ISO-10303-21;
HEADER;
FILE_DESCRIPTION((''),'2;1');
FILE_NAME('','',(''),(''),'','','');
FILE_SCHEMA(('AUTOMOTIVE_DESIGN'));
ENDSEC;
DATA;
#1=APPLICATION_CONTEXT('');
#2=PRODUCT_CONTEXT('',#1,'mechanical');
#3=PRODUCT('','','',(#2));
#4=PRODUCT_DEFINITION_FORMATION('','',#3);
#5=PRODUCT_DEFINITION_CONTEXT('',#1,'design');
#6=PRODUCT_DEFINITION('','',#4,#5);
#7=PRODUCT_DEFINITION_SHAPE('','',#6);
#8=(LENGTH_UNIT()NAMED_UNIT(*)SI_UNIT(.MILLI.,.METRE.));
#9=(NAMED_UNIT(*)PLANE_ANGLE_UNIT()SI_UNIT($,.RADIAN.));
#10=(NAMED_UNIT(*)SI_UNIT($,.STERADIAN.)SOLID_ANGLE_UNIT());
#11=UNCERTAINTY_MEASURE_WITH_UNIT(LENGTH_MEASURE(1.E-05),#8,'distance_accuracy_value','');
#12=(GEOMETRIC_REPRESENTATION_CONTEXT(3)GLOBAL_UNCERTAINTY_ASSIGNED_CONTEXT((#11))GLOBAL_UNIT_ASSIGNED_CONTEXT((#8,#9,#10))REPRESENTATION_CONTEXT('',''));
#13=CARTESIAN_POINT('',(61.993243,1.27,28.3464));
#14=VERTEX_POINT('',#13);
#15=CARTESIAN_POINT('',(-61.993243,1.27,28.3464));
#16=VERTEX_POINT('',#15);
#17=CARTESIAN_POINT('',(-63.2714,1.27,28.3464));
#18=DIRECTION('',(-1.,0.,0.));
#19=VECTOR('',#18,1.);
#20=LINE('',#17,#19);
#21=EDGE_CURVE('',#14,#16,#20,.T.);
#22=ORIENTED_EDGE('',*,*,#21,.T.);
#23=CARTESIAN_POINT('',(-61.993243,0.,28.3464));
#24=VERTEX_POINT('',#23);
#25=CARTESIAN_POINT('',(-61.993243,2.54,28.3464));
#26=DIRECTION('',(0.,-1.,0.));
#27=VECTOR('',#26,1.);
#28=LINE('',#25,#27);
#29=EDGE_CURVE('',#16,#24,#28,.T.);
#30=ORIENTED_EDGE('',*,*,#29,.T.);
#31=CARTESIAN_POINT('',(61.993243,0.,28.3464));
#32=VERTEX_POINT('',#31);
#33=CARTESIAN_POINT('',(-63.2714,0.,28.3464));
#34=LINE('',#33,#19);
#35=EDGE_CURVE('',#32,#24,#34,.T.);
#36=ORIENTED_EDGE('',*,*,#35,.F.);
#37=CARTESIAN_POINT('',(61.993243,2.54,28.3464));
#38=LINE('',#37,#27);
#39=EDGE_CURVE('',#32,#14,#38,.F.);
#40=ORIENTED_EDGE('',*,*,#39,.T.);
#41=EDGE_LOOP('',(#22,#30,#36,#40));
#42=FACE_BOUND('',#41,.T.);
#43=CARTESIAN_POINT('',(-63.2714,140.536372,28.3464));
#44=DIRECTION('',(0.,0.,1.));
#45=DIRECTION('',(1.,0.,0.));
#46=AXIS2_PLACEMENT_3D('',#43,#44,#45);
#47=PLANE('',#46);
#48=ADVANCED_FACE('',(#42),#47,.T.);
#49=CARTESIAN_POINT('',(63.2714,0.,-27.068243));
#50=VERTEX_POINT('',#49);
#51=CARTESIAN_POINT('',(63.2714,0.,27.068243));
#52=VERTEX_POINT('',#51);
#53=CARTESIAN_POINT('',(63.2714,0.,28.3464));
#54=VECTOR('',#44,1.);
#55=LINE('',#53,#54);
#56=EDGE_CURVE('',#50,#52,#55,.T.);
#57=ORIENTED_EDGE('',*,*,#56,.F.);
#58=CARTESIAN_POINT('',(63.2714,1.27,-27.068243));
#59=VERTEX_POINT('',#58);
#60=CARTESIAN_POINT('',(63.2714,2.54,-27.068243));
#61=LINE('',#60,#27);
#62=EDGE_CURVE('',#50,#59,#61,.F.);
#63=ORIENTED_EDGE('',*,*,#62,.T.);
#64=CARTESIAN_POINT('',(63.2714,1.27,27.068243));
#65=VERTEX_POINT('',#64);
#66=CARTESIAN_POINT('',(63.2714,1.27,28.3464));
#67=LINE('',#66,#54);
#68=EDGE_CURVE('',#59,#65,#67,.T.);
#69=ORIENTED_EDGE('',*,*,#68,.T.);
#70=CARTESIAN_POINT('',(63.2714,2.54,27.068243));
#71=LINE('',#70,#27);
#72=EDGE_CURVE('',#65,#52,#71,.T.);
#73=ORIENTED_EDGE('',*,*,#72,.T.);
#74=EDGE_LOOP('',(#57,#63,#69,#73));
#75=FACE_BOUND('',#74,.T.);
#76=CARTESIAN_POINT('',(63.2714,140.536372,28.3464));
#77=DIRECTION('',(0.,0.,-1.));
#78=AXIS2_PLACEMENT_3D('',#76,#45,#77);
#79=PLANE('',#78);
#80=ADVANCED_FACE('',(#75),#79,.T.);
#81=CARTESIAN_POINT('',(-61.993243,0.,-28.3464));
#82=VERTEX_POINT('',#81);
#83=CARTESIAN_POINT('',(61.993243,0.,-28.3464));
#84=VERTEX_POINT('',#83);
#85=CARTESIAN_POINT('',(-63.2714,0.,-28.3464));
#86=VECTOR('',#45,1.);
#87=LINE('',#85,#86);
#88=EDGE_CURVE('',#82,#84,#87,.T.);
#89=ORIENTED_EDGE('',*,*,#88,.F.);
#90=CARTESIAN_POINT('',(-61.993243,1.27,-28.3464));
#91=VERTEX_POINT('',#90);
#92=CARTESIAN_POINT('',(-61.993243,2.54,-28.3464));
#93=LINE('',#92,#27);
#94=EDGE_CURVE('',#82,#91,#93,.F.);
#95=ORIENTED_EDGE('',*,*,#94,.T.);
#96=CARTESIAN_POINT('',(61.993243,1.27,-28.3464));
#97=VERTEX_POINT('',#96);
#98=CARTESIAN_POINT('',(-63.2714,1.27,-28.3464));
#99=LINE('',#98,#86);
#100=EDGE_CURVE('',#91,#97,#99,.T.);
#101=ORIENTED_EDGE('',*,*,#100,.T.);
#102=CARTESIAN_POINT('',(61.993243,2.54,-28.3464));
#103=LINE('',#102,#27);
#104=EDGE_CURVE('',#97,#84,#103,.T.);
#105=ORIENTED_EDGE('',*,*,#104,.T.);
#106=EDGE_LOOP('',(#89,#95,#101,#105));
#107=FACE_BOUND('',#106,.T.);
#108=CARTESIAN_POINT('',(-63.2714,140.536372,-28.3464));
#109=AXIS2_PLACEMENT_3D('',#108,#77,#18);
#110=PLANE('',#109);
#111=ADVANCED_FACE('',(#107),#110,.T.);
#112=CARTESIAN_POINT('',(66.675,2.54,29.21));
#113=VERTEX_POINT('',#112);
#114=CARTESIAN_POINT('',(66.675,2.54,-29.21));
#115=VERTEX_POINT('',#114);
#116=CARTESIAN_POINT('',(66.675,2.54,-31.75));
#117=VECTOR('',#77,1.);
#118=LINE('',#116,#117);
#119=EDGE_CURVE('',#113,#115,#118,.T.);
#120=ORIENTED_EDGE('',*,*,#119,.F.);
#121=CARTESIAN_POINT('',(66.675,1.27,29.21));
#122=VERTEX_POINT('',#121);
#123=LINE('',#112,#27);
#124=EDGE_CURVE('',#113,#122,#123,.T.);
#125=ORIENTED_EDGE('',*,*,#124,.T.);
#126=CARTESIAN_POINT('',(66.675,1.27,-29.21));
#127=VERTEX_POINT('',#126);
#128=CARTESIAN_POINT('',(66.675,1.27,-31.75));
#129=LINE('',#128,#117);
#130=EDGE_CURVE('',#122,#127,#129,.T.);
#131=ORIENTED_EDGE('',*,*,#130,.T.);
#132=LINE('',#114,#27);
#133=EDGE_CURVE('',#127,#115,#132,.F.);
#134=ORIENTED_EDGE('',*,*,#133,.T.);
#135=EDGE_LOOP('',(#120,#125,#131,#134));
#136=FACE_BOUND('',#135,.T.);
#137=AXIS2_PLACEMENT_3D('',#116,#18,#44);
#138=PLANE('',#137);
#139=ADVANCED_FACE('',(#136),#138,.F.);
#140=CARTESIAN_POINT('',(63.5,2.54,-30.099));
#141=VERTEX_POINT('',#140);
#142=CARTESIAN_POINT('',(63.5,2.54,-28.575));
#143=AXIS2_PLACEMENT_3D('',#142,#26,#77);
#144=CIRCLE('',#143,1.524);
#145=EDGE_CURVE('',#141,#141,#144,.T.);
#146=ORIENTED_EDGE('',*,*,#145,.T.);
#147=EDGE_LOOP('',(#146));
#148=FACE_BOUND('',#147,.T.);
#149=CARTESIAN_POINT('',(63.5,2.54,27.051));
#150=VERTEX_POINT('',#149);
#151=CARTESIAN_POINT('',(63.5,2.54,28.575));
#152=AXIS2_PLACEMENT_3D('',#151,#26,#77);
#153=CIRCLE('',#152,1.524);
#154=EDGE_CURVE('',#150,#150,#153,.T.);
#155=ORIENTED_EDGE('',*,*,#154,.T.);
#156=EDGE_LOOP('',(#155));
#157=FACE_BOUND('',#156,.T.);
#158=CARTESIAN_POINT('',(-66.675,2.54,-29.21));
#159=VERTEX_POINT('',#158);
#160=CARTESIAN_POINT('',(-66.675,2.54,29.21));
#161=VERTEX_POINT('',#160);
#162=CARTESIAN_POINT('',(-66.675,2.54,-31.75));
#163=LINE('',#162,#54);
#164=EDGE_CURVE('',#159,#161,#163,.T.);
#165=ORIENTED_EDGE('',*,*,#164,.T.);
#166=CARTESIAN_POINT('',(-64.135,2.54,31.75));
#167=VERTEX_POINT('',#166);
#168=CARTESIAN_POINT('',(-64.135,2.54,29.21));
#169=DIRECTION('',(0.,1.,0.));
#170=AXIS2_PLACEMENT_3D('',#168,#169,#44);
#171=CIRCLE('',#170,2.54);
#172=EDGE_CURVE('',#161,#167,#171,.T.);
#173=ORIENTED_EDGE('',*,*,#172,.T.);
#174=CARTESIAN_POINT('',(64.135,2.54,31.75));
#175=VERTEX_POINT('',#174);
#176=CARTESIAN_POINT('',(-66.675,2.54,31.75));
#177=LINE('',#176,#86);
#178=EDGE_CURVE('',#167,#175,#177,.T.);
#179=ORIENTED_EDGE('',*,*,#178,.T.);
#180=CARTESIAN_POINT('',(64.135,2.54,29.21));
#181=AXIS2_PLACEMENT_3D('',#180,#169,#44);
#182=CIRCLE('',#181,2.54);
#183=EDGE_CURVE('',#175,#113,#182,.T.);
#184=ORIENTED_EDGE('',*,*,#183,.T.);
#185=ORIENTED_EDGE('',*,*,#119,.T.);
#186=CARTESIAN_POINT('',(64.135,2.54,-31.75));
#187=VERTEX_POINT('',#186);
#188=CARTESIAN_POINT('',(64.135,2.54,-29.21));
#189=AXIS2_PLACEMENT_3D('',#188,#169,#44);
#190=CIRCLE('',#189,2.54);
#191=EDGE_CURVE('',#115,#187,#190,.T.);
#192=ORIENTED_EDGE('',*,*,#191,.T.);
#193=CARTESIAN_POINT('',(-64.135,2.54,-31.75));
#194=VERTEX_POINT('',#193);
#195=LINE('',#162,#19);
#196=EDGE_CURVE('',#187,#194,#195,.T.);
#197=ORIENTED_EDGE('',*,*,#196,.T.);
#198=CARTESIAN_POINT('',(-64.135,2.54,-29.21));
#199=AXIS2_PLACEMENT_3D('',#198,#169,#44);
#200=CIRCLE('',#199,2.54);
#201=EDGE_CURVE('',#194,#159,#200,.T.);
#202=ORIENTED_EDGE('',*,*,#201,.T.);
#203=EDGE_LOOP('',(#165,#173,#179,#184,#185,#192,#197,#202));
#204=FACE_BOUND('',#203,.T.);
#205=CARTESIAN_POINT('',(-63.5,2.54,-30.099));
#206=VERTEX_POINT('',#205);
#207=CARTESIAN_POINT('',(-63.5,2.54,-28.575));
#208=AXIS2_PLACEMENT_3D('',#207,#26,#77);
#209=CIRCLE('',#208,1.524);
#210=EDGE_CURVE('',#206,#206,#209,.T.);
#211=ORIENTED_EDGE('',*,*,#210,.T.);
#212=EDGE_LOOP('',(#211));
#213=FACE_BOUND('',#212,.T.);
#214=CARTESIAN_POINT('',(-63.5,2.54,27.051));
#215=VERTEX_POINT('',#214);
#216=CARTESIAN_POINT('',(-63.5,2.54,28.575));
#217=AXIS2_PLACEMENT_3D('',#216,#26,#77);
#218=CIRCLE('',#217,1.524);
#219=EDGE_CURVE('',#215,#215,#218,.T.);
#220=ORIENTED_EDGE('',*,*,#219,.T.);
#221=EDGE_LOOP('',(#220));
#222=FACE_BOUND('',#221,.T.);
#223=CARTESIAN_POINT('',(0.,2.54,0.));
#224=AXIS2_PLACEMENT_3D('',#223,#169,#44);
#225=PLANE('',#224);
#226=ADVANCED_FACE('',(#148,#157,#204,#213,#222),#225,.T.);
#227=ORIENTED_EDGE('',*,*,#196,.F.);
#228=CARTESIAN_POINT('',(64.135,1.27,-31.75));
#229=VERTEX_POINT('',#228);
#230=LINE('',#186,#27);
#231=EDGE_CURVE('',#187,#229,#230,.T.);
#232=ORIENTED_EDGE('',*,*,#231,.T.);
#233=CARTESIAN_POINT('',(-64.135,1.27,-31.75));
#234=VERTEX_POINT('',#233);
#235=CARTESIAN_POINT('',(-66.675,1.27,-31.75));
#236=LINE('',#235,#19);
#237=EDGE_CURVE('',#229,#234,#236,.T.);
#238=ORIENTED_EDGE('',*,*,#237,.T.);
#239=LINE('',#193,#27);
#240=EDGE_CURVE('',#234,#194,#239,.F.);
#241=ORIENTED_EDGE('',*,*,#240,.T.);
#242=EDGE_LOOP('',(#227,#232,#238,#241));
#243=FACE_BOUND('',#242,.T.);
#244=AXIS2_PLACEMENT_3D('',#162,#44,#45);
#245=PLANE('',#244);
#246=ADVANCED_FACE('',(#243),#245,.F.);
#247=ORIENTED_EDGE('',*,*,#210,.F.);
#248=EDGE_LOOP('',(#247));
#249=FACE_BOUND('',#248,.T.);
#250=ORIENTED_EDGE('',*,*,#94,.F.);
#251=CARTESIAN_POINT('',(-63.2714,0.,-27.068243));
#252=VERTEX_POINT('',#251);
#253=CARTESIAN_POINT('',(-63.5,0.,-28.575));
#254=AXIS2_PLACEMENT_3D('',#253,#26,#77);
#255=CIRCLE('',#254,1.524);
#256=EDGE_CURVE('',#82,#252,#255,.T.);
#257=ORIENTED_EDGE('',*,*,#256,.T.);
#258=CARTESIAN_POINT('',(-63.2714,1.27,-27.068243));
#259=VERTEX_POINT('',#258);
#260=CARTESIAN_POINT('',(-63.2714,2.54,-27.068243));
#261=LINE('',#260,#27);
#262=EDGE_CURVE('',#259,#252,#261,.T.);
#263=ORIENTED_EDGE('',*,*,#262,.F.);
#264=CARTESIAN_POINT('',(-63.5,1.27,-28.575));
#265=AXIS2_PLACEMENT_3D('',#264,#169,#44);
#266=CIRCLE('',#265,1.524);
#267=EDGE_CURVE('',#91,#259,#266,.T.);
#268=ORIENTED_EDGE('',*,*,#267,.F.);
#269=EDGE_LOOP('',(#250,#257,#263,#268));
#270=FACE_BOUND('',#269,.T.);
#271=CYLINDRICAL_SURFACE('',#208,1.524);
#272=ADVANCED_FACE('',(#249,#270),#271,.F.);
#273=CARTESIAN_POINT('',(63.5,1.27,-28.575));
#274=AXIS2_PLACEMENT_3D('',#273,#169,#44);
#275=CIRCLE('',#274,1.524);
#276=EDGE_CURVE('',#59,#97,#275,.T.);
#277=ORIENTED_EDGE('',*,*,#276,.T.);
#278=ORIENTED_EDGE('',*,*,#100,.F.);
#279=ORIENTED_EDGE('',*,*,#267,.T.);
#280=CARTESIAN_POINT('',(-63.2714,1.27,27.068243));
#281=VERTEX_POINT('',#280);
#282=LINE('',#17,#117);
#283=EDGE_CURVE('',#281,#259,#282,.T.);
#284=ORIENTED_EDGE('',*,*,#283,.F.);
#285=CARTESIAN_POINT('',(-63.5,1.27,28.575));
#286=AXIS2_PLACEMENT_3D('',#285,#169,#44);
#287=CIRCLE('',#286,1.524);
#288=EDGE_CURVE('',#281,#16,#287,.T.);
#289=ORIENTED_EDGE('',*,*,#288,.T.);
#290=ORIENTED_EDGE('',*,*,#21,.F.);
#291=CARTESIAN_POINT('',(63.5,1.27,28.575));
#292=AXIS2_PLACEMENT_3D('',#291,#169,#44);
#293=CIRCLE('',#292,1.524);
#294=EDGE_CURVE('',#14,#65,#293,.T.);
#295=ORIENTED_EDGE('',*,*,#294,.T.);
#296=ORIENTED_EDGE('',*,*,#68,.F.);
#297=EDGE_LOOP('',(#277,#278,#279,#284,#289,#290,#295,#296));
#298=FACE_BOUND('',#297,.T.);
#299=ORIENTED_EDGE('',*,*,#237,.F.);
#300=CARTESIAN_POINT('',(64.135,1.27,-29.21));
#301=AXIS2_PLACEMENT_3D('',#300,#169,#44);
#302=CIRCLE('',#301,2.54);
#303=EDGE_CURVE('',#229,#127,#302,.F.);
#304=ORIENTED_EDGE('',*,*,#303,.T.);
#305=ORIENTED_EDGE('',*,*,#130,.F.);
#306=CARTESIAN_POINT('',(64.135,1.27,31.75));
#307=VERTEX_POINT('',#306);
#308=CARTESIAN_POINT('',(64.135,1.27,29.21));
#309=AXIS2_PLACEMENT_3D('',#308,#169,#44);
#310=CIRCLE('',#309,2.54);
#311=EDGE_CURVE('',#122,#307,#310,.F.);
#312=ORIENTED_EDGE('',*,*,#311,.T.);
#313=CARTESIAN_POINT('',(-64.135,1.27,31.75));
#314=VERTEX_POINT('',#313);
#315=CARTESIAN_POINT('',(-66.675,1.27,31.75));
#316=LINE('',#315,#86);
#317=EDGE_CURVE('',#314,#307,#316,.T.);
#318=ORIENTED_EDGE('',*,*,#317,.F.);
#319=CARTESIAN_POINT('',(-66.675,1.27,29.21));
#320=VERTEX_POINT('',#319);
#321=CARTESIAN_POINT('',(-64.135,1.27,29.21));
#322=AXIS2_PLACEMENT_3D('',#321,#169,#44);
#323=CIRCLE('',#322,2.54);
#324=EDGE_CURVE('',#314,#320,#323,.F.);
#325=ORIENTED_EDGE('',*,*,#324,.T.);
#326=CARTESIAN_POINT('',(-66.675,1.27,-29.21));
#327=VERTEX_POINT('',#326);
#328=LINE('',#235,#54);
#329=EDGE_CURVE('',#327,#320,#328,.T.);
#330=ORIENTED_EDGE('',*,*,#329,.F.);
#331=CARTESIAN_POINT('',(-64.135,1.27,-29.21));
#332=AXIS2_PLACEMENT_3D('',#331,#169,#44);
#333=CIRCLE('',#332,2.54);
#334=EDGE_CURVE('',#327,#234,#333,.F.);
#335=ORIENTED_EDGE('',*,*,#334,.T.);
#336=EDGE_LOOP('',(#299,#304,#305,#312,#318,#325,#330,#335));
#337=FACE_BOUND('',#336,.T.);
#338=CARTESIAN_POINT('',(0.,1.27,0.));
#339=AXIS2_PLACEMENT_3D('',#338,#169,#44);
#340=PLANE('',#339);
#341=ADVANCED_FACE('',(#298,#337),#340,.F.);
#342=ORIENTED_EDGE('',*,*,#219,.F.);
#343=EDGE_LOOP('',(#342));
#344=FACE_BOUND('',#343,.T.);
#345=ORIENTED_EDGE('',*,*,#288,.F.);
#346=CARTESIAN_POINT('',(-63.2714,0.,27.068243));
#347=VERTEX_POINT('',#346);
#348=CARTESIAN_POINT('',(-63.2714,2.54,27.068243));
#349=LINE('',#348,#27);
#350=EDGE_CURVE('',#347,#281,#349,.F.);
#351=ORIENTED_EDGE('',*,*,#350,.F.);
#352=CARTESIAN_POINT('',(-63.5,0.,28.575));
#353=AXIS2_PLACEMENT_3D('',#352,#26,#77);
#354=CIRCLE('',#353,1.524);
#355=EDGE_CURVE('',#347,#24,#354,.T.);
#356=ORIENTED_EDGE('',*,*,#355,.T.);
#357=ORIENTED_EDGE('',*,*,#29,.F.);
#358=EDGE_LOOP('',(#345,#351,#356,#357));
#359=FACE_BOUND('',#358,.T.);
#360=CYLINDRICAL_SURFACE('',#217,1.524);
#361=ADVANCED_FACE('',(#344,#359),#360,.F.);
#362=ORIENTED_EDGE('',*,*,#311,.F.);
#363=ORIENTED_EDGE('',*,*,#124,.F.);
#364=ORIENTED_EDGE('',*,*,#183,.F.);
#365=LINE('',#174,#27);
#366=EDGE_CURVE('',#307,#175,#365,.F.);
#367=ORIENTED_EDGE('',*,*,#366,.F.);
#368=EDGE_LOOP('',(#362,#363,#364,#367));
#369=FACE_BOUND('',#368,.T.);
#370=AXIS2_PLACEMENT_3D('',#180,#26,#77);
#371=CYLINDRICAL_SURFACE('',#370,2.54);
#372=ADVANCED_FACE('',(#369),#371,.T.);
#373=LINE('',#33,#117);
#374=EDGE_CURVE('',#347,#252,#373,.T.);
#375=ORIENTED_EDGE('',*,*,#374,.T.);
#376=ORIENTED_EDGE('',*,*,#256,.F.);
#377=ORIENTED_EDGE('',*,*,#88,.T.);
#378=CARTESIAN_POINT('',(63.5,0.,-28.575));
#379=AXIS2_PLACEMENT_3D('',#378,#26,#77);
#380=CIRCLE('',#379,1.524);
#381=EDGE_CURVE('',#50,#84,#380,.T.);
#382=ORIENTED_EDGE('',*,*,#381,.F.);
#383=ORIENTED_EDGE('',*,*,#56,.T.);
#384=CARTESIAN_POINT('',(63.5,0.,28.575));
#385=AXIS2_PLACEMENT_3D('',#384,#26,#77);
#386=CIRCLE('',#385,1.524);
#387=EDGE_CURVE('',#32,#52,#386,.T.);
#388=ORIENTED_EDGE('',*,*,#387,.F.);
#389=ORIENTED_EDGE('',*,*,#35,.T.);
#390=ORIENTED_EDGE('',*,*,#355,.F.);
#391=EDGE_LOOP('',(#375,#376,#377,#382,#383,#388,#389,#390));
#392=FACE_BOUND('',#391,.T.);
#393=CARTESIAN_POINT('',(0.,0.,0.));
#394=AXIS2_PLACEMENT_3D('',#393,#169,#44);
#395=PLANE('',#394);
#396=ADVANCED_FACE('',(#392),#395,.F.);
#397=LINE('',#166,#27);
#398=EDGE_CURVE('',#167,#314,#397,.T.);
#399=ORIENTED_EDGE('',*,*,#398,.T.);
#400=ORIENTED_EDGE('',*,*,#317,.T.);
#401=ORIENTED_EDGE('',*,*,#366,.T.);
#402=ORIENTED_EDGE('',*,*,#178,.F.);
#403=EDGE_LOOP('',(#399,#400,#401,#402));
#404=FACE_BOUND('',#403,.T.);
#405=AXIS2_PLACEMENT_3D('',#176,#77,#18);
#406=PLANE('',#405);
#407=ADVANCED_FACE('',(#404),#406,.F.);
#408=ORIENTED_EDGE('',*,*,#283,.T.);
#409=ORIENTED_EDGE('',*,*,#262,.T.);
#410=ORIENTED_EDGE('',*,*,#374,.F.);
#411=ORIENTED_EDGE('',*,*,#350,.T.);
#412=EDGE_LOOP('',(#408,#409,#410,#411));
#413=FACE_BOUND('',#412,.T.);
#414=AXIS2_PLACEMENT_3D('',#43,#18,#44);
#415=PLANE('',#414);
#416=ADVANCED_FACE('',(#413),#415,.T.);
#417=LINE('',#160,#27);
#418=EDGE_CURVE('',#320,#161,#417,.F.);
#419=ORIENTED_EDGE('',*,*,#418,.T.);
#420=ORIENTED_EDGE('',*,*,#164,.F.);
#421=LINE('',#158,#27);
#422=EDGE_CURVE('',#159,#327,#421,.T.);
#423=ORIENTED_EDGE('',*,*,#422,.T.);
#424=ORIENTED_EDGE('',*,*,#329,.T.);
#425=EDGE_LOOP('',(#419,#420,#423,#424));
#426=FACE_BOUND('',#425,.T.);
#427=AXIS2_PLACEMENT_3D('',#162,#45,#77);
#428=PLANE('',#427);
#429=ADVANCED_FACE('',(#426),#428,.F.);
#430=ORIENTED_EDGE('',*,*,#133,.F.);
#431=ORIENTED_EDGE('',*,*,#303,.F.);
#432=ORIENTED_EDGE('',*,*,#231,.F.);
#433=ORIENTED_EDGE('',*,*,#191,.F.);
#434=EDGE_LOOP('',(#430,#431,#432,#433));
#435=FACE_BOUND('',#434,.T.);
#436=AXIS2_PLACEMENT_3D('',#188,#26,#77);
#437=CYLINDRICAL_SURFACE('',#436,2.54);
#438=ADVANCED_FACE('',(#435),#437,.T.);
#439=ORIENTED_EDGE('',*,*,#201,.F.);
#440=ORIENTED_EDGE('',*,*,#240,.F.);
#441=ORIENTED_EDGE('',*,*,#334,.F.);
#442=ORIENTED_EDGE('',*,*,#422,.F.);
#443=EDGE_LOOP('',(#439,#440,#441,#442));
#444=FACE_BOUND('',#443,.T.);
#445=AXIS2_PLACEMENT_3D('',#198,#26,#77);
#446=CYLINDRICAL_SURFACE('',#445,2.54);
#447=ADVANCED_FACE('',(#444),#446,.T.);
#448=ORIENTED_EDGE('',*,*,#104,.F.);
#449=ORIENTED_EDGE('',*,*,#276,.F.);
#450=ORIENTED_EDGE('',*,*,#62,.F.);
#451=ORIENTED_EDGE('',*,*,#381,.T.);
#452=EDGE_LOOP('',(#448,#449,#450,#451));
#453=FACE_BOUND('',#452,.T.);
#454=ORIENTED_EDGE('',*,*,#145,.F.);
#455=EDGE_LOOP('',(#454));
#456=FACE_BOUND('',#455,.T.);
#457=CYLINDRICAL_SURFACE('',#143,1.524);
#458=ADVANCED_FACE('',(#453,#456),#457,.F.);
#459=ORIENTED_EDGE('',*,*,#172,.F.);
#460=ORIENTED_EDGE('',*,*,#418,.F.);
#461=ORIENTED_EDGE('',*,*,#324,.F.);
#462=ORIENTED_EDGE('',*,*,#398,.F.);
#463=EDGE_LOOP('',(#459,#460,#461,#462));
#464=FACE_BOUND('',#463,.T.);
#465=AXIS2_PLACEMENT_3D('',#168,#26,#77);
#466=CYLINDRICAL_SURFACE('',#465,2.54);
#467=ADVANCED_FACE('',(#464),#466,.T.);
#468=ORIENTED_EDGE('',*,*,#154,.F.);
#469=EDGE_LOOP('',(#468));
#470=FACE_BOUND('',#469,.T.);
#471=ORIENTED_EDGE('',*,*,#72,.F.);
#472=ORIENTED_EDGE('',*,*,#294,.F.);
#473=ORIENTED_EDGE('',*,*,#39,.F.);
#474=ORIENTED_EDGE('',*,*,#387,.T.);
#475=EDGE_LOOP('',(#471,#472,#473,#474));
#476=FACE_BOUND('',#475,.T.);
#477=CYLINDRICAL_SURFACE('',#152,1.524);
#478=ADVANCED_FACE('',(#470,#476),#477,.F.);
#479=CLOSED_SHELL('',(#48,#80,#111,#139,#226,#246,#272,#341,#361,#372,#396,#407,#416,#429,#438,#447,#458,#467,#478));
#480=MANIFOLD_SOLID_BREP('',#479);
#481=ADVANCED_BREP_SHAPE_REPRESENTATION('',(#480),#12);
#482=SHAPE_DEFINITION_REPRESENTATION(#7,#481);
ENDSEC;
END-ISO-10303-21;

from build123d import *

# Parameters (mm, degrees)
SKETCH2_W           = 127
SKETCH2_H           = 57.15
BOSS_EXTRUDE3_DEPTH = 1.27
SKETCH3_W           = 133.35
SKETCH3_H           = 63.5
BOSS_EXTRUDE4_DEPTH = 1.27
SKETCH4_R           = 1.524
CUT_EXTRUDE1_DEPTH  = 74.892284611
FILLET1_R           = 2.54
SKETCH5_W           = 127
SKETCH5_H           = 57.15
SKETCH5_W_2         = 126.5428
SKETCH5_H_2         = 56.6928
CUT_EXTRUDE2_DEPTH  = 1.27


with BuildPart() as part:
    # Sketch2 → Boss-Extrude3 (new body)
    with BuildSketch(Plane(origin=(0, 0, 0), x_dir=(1, 0, 0), z_dir=(0, 1, 0))):
        Rectangle(SKETCH2_W, SKETCH2_H)
    extrude(amount=BOSS_EXTRUDE3_DEPTH)

    # Sketch3 → Boss-Extrude4 (add)
    with BuildSketch(Plane(origin=(0, 1.27, 0), x_dir=(1, 0, 0), z_dir=(0, 1, 0))):
        Rectangle(SKETCH3_W, SKETCH3_H)
    extrude(amount=BOSS_EXTRUDE4_DEPTH)

    # Sketch4 → Cut-Extrude1 (cut, through all)
    with BuildSketch(Plane(origin=(0, 0, 0), x_dir=(-1, 0, 0), z_dir=(0, -1, 0))):
        with Locations(Location((63.5, -28.575, 0), (0, 0, 90))):
            Circle(SKETCH4_R)
        with Locations(Location((-63.5, -28.575, 0), (0, 0, 90))):
            Circle(SKETCH4_R)
        with Locations(Location((-63.5, 28.575, 0), (0, 0, 90))):
            Circle(SKETCH4_R)
        with Locations(Location((63.5, 28.575, 0), (0, 0, 90))):
            Circle(SKETCH4_R)
    extrude(amount=-CUT_EXTRUDE1_DEPTH, mode=Mode.SUBTRACT)

    # Fillet1
    fillet1_edges = [part.edges().sort_by_distance(p)[0] for p in [
        (66.675, 1.905, 31.75),
        (66.675, 1.905, -31.75),
        (-66.675, 1.905, -31.75),
        (-66.675, 1.905, 31.75),
    ]]
    fillet(fillet1_edges, radius=FILLET1_R)

    # Sketch5 → Cut-Extrude2 (cut)
    with BuildSketch(Plane(origin=(0, 0, 0), x_dir=(-1, 0, 0), z_dir=(0, -1, 0))):
        Rectangle(SKETCH5_W, SKETCH5_H)
        Rectangle(SKETCH5_W_2, SKETCH5_H_2, mode=Mode.SUBTRACT)
    extrude(amount=-CUT_EXTRUDE2_DEPTH, mode=Mode.SUBTRACT)


solid = part.part
